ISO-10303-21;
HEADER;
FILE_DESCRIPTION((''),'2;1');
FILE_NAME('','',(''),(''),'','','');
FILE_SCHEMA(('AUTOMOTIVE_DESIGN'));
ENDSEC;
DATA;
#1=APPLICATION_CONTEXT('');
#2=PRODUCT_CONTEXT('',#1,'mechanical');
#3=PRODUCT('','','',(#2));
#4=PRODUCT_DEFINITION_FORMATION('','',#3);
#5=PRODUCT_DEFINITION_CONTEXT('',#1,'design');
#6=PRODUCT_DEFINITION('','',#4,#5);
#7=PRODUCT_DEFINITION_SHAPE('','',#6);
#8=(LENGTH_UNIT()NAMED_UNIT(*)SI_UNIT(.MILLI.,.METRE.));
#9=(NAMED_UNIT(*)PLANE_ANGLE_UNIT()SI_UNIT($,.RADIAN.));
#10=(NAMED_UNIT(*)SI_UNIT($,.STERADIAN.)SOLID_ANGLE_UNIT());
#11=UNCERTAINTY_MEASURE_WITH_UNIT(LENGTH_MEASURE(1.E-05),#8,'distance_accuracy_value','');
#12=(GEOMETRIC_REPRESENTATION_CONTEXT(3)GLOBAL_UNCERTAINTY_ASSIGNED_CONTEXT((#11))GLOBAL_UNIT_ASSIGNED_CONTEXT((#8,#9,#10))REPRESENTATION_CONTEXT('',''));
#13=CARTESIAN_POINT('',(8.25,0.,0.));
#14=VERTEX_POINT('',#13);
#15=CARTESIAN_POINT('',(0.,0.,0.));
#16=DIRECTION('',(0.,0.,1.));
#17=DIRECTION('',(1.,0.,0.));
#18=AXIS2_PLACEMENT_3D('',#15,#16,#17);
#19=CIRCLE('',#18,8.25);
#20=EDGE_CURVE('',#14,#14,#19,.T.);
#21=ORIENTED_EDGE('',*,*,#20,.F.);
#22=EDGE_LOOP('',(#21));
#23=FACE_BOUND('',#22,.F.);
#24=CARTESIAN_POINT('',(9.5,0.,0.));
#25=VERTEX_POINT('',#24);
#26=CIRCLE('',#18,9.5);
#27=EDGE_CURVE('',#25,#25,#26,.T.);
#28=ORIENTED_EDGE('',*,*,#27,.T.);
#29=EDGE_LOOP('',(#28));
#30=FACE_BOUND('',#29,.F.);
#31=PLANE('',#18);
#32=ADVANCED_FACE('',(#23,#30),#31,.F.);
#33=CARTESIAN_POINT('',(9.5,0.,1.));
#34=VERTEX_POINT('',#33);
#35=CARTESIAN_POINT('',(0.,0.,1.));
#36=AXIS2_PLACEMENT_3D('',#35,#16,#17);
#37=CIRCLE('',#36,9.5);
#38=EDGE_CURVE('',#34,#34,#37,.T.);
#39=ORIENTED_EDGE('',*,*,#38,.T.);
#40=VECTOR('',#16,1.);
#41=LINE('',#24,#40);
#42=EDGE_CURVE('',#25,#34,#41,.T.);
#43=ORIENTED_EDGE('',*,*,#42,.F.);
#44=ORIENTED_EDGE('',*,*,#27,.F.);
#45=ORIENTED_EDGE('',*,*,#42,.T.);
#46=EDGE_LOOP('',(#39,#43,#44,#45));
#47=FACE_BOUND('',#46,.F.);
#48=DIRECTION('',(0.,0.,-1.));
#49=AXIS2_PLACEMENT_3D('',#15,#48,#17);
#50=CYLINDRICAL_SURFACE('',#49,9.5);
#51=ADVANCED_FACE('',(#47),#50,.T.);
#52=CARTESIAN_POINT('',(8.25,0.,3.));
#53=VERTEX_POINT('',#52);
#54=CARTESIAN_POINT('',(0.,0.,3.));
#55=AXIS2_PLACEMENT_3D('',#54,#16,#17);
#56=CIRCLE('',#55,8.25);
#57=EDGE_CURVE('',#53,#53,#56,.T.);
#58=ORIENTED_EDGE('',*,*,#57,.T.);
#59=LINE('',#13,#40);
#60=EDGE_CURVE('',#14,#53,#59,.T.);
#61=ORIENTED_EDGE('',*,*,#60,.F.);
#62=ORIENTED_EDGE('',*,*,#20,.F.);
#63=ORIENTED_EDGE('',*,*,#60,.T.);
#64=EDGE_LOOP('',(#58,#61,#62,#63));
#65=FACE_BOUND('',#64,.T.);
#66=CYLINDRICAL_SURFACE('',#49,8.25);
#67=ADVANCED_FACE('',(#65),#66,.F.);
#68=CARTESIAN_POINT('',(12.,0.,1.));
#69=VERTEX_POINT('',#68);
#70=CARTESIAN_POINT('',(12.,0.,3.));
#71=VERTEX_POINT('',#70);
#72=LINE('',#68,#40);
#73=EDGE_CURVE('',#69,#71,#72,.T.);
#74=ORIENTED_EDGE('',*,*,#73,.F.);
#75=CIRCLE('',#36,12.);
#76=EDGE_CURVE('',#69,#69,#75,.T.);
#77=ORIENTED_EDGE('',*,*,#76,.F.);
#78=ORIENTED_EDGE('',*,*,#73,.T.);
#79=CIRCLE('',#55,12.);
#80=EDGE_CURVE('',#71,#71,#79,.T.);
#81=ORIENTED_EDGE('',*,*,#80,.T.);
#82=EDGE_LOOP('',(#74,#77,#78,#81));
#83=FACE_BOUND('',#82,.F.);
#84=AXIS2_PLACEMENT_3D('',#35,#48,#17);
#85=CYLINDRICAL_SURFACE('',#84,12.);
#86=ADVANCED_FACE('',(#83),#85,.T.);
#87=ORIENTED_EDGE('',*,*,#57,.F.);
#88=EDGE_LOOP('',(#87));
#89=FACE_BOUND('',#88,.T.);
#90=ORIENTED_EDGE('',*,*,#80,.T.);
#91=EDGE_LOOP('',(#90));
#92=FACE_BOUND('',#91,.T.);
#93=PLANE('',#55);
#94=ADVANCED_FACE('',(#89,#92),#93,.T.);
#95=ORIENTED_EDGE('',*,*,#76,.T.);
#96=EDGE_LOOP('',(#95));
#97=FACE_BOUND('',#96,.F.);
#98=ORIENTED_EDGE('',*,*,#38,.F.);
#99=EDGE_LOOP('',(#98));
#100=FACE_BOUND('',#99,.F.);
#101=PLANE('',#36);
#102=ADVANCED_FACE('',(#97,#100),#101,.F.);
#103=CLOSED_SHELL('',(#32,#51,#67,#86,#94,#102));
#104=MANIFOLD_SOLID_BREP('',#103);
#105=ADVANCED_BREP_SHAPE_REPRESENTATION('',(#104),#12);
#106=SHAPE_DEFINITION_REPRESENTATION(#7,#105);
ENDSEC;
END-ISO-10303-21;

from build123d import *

# Parameters (mm, degrees)
TUBE001_R     = 9.5
TUBE001_R_2   = 8.25
TUBE001_DEPTH = 1
TUBE_R        = 12
TUBE_R_2      = 8.25
TUBE_DEPTH    = 2


with BuildPart() as tube001:
    # Tube001 → Tube001 (new body)
    with BuildSketch(Plane.XY):
        Circle(TUBE001_R)
        Circle(TUBE001_R_2, mode=Mode.SUBTRACT)
    extrude(amount=TUBE001_DEPTH)


with BuildPart() as fusion:
    # Tube → Tube (new body)
    with BuildSketch(Plane.XY.offset(1)):
        Circle(TUBE_R)
        Circle(TUBE_R_2, mode=Mode.SUBTRACT)
    extrude(amount=TUBE_DEPTH)

    # Fusion: union Tube001
    add(tube001.part)


solid = fusion.part
